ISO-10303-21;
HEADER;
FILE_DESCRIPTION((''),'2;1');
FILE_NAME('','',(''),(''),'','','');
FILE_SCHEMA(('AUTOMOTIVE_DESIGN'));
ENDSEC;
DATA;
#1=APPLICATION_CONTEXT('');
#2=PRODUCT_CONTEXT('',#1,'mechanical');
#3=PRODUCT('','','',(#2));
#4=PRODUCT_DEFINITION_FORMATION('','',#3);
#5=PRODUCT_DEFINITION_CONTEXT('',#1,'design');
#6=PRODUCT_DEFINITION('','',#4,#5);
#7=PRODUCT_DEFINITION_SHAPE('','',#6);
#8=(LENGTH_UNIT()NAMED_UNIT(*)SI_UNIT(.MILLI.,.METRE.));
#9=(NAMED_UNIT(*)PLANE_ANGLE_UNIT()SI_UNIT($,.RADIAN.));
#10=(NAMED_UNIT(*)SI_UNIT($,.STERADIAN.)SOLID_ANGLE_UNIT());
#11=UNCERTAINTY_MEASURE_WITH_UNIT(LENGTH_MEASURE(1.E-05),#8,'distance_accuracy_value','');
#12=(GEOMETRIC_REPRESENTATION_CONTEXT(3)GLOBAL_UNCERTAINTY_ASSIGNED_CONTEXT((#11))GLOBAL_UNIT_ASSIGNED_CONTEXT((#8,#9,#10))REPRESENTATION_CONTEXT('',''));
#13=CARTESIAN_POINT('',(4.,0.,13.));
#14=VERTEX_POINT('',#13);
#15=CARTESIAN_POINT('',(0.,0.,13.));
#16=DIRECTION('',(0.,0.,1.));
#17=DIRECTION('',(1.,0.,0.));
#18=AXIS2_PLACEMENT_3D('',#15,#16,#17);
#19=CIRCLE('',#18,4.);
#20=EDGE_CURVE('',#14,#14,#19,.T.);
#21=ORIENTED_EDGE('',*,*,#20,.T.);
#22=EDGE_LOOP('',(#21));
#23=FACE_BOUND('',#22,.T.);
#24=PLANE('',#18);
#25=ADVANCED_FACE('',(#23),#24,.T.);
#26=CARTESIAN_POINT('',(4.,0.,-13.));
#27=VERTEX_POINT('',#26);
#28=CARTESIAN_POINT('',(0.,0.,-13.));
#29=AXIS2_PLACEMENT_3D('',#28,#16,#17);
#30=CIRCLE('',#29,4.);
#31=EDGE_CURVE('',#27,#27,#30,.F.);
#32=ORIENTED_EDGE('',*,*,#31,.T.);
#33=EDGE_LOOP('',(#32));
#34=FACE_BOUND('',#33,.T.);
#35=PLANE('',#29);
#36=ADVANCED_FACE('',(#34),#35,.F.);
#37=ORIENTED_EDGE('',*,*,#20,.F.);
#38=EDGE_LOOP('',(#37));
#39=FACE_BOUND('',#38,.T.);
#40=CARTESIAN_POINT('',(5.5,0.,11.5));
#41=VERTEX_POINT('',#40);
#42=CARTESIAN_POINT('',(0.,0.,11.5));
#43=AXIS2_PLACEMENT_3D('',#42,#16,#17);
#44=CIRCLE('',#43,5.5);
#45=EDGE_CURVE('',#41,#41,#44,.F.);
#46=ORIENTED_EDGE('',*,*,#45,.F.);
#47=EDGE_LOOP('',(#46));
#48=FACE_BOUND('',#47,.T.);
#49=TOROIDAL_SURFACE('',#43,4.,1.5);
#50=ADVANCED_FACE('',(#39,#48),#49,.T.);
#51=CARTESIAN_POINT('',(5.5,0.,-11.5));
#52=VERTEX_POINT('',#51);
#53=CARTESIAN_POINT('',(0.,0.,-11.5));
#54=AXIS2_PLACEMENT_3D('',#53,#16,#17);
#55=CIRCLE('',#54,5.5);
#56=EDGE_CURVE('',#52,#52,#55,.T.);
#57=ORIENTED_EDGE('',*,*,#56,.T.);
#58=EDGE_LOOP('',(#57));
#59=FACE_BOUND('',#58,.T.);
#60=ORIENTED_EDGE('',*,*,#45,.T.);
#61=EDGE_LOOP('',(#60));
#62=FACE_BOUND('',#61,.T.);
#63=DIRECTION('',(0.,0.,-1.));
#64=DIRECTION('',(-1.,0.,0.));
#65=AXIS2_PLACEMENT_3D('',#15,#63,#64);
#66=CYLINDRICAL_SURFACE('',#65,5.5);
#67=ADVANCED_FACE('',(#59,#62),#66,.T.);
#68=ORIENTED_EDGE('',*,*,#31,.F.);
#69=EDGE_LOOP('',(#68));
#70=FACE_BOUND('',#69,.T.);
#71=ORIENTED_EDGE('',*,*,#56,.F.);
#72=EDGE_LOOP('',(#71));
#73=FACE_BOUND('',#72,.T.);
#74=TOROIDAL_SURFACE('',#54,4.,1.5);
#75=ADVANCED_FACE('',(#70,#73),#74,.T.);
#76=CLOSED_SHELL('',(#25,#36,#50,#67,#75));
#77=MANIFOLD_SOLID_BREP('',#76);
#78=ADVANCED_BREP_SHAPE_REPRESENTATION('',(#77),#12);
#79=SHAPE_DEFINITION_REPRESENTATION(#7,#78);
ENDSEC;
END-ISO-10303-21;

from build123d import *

# Parameters (mm, degrees)
SKETCH2_R           = 5.5
BOSS_EXTRUDE1_DEPTH = 13
FILLET1_R           = 1.5


with BuildPart() as part:
    # Sketch2 → Boss-Extrude1 (new body, symmetric)
    with BuildSketch(Plane.XY):
        Circle(SKETCH2_R)
    extrude(amount=BOSS_EXTRUDE1_DEPTH, both=True)

    # Fillet1
    fillet1_edges = [part.edges().sort_by_distance(p)[0] for p in [
        (-5.5, 0, -13),
        (-5.5, 0, 13),
    ]]
    fillet(fillet1_edges, radius=FILLET1_R)


solid = part.part
